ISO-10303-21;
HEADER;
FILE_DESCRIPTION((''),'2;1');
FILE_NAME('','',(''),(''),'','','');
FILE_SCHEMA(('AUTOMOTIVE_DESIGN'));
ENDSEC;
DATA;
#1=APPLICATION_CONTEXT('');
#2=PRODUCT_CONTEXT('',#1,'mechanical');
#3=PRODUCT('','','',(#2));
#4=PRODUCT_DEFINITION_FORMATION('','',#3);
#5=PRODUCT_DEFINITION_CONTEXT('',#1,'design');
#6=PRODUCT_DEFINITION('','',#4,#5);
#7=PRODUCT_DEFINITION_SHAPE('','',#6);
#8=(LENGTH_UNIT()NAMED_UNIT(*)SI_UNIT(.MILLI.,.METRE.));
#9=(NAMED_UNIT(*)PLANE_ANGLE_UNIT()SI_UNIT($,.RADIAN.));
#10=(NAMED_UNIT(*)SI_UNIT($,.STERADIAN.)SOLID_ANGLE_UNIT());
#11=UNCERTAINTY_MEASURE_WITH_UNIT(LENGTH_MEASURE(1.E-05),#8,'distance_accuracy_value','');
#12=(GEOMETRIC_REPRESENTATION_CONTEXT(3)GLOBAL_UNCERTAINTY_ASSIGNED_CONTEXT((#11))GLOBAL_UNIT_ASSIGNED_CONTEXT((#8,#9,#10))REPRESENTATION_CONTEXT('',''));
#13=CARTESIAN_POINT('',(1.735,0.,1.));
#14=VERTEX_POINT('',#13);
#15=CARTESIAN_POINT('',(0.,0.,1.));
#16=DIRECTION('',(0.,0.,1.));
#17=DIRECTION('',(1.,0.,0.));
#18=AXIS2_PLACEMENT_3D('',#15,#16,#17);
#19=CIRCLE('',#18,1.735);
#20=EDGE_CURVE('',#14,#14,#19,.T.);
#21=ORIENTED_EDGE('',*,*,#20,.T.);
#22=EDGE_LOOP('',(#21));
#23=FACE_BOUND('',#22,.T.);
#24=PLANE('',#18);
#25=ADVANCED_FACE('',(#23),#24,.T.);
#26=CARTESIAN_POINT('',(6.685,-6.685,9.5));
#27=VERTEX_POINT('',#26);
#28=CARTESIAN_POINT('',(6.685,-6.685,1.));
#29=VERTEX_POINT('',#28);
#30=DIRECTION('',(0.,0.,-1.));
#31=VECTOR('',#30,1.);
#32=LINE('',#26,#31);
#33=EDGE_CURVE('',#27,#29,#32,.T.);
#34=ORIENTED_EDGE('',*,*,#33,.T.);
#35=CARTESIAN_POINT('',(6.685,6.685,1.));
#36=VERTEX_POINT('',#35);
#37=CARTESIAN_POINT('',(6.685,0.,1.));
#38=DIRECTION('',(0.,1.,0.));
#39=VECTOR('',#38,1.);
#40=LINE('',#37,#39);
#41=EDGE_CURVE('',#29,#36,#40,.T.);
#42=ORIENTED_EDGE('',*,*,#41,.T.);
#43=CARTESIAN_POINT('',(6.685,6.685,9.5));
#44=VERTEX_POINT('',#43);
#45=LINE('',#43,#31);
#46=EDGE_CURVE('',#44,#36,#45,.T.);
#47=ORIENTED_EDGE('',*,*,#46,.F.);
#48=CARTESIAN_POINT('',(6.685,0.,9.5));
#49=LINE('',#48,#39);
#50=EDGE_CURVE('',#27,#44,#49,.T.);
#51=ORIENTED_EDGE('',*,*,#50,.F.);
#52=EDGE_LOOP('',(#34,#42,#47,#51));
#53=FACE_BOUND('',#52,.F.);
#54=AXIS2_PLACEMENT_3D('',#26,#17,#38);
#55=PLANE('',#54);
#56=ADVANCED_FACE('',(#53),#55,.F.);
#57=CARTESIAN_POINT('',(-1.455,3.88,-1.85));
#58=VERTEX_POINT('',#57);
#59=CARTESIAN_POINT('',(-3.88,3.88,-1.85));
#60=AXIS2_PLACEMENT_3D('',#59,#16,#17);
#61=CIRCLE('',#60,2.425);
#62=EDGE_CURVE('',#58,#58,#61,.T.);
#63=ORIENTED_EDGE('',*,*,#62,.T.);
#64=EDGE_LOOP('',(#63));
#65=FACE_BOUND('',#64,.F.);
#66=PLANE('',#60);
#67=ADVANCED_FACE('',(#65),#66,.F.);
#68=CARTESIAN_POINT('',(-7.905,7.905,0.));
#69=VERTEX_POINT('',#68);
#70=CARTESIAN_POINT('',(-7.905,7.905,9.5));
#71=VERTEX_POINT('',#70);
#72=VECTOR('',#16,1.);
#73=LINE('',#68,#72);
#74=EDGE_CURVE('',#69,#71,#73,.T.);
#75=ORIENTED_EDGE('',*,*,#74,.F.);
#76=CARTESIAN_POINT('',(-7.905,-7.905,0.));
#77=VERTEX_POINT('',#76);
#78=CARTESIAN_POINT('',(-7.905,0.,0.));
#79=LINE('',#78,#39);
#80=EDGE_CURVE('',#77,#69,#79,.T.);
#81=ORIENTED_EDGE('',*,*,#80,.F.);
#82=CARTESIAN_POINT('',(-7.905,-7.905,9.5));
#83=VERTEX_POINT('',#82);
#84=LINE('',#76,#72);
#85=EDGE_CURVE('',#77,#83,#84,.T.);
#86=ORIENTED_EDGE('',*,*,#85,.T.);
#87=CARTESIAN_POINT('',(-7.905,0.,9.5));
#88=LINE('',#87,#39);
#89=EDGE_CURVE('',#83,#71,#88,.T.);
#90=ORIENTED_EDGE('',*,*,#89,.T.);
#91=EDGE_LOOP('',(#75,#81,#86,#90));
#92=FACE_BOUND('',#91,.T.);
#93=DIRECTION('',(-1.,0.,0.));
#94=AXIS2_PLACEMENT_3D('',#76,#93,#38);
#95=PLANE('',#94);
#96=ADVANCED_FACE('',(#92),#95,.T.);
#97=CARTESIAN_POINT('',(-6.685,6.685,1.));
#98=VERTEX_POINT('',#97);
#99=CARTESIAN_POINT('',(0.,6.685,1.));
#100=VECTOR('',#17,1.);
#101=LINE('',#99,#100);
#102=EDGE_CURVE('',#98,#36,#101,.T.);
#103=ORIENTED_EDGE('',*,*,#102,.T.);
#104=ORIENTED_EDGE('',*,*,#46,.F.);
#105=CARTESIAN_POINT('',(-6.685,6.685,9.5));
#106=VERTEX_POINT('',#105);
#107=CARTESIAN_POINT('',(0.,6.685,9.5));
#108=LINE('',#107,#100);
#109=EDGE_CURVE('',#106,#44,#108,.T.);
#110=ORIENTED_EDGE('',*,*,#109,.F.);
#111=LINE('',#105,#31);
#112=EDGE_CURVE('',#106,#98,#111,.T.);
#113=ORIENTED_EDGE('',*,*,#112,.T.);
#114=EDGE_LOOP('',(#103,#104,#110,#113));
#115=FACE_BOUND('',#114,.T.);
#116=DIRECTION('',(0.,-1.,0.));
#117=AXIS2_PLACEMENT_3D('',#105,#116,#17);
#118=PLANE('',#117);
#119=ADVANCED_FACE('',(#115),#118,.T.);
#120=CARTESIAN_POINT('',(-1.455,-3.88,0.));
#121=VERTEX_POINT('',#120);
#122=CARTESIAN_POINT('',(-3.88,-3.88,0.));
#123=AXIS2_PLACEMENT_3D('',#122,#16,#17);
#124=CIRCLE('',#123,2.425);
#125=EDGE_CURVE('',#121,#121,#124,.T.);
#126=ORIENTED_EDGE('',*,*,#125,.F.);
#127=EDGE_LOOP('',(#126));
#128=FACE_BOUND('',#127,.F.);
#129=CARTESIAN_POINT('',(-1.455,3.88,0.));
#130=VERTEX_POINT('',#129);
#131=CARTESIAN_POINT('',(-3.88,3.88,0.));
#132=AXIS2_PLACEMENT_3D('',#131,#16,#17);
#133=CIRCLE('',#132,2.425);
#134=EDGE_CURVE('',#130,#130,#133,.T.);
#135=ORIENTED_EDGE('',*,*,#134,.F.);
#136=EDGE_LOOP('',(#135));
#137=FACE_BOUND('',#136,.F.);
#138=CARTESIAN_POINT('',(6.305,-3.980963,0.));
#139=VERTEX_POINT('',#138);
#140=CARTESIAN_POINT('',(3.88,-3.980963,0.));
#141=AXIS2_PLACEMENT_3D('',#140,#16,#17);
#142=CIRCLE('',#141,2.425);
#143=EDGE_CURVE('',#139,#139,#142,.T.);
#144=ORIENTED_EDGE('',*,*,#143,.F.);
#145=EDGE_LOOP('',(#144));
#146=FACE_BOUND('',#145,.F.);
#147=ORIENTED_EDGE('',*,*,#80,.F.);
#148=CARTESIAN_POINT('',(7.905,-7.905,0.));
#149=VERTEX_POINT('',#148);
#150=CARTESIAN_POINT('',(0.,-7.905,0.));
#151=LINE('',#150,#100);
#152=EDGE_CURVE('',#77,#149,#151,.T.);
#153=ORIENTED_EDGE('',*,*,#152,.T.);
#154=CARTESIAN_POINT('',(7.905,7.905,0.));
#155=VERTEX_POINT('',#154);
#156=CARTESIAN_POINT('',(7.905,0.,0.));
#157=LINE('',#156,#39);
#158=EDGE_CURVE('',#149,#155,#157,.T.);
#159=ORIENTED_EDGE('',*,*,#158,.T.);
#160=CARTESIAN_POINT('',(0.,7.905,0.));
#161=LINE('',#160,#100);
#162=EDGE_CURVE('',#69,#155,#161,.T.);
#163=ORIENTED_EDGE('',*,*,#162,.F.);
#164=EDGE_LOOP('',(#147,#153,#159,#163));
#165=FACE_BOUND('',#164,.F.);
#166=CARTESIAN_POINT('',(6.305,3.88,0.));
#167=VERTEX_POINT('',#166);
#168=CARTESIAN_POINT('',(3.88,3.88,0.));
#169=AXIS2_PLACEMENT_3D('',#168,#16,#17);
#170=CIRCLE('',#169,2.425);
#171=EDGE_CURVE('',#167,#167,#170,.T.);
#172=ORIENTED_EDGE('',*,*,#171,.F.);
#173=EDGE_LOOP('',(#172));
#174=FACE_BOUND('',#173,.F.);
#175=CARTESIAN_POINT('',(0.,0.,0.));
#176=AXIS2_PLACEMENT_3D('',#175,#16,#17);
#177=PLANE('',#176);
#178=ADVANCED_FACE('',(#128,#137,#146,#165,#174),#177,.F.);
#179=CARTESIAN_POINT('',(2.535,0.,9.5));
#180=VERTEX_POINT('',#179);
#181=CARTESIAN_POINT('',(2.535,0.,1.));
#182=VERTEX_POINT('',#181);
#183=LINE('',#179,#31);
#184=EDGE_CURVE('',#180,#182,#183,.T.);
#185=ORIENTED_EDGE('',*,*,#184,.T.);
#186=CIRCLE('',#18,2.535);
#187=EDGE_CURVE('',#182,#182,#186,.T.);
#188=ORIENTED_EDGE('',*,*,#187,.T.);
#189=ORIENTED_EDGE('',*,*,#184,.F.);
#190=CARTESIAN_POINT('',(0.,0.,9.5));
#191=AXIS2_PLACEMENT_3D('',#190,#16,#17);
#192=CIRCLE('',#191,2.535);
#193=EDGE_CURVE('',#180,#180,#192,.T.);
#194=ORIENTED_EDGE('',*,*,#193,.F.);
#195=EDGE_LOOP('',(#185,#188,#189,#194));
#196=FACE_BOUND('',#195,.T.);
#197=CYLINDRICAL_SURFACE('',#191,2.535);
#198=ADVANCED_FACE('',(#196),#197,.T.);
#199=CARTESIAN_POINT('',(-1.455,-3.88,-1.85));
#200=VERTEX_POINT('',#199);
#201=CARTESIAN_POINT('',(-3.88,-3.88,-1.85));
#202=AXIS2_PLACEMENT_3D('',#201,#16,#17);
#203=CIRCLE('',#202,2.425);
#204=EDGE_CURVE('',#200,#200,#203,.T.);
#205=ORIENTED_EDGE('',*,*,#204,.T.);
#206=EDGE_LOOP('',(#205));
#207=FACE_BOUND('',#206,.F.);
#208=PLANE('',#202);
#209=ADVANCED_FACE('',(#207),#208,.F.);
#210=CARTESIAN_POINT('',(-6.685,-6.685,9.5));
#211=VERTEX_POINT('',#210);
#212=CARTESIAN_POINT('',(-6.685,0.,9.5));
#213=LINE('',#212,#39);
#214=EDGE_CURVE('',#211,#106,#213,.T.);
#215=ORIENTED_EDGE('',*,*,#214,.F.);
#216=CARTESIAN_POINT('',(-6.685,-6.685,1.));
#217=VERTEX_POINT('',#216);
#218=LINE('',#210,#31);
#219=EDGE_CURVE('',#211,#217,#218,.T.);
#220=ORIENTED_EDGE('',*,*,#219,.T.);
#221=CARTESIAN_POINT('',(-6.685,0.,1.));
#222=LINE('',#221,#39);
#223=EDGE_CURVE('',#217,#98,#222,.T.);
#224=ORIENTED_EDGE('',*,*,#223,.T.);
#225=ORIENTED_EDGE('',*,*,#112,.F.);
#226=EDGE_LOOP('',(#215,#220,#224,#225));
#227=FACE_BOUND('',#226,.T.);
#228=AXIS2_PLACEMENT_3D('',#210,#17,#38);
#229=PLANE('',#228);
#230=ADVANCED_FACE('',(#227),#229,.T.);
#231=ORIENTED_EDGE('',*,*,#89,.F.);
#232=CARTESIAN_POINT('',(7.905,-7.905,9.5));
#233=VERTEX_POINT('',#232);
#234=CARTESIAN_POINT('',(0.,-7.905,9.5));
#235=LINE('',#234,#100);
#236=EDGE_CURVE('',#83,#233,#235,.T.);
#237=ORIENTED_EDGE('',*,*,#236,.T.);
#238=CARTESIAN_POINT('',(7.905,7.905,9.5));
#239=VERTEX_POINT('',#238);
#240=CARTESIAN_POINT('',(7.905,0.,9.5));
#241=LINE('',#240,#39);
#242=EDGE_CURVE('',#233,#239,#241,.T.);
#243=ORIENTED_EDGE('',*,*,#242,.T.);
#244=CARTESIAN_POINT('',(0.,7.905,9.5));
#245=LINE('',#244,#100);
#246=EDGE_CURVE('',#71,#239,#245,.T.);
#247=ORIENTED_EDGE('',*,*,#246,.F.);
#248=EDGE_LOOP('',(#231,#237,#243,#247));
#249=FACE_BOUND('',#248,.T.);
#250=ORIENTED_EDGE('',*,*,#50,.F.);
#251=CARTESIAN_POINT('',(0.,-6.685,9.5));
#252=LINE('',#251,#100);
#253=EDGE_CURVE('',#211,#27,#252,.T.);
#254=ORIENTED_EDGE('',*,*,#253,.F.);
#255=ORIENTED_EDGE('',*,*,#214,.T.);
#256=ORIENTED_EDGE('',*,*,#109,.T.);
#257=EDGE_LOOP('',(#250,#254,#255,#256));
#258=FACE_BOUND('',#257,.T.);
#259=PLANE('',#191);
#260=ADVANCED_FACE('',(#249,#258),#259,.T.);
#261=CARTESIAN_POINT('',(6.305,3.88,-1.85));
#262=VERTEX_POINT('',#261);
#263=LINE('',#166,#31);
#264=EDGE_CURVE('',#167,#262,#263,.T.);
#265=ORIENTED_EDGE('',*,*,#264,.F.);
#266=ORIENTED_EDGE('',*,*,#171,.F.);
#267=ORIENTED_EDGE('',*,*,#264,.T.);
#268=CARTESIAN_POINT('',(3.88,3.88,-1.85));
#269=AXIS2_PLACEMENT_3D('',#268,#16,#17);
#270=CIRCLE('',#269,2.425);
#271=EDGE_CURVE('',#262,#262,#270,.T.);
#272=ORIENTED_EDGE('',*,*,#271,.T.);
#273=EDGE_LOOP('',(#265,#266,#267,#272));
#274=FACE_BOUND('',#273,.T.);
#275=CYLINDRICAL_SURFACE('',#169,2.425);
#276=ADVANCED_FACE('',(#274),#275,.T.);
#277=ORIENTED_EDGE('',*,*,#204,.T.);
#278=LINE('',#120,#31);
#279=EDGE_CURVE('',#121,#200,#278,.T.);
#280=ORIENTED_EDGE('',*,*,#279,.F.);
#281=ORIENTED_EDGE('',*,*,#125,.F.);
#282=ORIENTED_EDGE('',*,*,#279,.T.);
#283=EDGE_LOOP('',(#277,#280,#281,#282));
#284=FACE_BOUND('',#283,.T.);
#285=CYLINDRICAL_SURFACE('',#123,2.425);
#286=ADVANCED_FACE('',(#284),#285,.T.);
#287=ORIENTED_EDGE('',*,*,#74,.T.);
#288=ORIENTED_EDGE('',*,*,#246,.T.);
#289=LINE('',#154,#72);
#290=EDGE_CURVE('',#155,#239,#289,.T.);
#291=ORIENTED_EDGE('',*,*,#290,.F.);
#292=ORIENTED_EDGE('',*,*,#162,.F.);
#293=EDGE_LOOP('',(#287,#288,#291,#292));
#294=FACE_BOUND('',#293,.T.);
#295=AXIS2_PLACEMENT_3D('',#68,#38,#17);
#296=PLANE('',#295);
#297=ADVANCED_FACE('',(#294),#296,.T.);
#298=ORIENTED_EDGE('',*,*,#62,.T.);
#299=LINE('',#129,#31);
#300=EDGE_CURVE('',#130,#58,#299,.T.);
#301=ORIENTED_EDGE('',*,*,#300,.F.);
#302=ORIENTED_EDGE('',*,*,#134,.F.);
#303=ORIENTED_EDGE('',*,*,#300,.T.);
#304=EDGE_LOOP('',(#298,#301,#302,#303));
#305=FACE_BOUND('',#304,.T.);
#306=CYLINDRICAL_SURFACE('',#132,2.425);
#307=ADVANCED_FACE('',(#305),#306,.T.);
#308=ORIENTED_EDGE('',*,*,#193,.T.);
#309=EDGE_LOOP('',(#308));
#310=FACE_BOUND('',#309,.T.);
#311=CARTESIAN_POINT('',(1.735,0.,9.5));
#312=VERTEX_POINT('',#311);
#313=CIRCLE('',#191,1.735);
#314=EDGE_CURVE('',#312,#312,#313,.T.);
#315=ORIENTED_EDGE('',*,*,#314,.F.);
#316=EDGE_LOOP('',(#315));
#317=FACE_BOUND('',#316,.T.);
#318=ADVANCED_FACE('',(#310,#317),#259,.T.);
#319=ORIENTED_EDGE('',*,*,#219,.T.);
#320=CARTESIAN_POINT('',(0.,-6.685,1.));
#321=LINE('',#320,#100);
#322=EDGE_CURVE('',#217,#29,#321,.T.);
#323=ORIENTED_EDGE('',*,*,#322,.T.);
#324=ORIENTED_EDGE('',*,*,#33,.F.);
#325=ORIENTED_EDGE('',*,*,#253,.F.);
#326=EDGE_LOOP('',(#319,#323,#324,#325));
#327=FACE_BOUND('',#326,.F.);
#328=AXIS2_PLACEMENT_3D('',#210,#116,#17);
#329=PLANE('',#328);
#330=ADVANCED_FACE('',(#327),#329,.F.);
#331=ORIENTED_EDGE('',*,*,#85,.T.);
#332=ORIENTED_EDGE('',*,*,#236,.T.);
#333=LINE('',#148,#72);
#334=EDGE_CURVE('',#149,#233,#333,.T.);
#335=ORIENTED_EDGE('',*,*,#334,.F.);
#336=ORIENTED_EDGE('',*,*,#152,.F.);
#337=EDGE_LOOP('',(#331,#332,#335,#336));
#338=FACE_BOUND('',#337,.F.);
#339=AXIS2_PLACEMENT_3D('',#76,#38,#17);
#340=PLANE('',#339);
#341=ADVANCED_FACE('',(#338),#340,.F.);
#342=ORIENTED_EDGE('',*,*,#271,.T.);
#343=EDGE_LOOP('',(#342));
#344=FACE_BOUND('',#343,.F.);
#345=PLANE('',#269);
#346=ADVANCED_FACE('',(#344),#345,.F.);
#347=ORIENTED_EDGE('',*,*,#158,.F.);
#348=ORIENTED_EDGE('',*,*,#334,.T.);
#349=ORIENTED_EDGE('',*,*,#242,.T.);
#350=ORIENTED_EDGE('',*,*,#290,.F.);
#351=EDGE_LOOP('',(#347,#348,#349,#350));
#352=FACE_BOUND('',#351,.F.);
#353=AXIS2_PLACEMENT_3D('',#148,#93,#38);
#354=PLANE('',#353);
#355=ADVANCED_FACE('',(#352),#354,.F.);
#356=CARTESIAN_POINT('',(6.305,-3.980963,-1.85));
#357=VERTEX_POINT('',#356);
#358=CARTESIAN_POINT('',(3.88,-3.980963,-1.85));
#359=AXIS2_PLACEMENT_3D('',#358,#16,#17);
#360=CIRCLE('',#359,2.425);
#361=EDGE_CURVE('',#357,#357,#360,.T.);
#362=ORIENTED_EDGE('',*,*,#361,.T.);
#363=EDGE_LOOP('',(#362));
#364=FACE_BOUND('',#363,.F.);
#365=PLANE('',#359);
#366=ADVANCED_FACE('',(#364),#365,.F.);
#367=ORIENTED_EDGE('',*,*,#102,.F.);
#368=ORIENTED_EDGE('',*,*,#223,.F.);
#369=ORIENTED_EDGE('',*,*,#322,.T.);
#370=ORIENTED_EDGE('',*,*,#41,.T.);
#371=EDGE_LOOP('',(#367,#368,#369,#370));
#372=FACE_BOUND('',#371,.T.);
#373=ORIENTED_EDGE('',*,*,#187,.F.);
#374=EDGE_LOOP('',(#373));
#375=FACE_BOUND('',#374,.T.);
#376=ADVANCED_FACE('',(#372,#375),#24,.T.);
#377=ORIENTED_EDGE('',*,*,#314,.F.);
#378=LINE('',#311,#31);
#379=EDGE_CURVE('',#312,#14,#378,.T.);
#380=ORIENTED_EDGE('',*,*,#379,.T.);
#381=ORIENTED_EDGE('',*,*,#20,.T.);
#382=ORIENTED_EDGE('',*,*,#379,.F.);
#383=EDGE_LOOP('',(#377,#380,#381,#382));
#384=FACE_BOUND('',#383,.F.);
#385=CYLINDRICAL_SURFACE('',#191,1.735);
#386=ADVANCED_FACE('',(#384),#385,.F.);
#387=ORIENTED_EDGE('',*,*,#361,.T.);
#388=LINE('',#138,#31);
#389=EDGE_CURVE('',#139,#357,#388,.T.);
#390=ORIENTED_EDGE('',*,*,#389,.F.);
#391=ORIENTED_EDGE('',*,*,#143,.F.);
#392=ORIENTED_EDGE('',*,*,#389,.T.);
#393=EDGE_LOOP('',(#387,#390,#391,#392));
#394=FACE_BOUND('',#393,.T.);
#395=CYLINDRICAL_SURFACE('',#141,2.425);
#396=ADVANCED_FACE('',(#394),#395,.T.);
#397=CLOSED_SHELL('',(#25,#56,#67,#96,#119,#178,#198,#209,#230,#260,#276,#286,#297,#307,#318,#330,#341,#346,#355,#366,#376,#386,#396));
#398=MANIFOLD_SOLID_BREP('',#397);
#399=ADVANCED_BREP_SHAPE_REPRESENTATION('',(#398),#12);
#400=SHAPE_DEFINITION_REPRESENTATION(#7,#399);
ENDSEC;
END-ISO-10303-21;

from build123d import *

# Parameters (mm, degrees)
F0_W     = 15.81
F0_H     = 15.81
F0_R     = 2.425
F1_DEPTH = 9.5
F2_DEPTH = 1.85
F4_W     = 13.37
F4_H     = 13.37
F4_R     = 2.535
F5_DEPTH = 8.5
F6_R     = 1.735
F7_DEPTH = 8.5
F8_DEPTH = 8.5


with BuildPart() as f1:
    # F0 (on Top) → F1 (new body)
    with BuildSketch(Plane.XY):
        Rectangle(F0_W, F0_H)
        with Locations((-3.88, -3.88)):
            Circle(F0_R, mode=Mode.SUBTRACT)
        with Locations((3.88, -3.980963)):
            Circle(F0_R, mode=Mode.SUBTRACT)
        with Locations((-3.88, 3.88)):
            Circle(F0_R, mode=Mode.SUBTRACT)
        with Locations((3.88, 3.88)):
            Circle(F0_R, mode=Mode.SUBTRACT)
        with Locations((-3.88, 3.88)):
            Circle(F0_R)
        with Locations((3.88, 3.88)):
            Circle(F0_R)
        with Locations((3.88, -3.980963)):
            Circle(F0_R)
        with Locations((-3.88, -3.88)):
            Circle(F0_R)
    extrude(amount=F1_DEPTH)

    # F0 (on Top) → F2 (join)
    with BuildSketch(Plane.XY):
        with Locations((-3.88, -3.88)):
            Circle(F0_R)
        with Locations((3.88, -3.980963)):
            Circle(F0_R)
        with Locations((3.88, 3.88)):
            Circle(F0_R)
        with Locations((-3.88, 3.88)):
            Circle(F0_R)
    extrude(amount=-F2_DEPTH)

    # F4 (on face) → F5 (cut)
    with BuildSketch(Plane.XY.offset(9.5)):
        Rectangle(F4_W, F4_H)
        Circle(F4_R, mode=Mode.SUBTRACT)
    extrude(amount=-F5_DEPTH, mode=Mode.SUBTRACT)

    # F6 (on face) → F7 (join)
    with BuildSketch(Plane.XY.offset(9.5)):
        Circle(F6_R)
    extrude(amount=-F7_DEPTH)

    # F6 (on face) → F8 (cut)
    with BuildSketch(Plane.XY.offset(9.5)):
        Circle(F6_R)
    extrude(amount=-F8_DEPTH, mode=Mode.SUBTRACT)


solid = f1.part
